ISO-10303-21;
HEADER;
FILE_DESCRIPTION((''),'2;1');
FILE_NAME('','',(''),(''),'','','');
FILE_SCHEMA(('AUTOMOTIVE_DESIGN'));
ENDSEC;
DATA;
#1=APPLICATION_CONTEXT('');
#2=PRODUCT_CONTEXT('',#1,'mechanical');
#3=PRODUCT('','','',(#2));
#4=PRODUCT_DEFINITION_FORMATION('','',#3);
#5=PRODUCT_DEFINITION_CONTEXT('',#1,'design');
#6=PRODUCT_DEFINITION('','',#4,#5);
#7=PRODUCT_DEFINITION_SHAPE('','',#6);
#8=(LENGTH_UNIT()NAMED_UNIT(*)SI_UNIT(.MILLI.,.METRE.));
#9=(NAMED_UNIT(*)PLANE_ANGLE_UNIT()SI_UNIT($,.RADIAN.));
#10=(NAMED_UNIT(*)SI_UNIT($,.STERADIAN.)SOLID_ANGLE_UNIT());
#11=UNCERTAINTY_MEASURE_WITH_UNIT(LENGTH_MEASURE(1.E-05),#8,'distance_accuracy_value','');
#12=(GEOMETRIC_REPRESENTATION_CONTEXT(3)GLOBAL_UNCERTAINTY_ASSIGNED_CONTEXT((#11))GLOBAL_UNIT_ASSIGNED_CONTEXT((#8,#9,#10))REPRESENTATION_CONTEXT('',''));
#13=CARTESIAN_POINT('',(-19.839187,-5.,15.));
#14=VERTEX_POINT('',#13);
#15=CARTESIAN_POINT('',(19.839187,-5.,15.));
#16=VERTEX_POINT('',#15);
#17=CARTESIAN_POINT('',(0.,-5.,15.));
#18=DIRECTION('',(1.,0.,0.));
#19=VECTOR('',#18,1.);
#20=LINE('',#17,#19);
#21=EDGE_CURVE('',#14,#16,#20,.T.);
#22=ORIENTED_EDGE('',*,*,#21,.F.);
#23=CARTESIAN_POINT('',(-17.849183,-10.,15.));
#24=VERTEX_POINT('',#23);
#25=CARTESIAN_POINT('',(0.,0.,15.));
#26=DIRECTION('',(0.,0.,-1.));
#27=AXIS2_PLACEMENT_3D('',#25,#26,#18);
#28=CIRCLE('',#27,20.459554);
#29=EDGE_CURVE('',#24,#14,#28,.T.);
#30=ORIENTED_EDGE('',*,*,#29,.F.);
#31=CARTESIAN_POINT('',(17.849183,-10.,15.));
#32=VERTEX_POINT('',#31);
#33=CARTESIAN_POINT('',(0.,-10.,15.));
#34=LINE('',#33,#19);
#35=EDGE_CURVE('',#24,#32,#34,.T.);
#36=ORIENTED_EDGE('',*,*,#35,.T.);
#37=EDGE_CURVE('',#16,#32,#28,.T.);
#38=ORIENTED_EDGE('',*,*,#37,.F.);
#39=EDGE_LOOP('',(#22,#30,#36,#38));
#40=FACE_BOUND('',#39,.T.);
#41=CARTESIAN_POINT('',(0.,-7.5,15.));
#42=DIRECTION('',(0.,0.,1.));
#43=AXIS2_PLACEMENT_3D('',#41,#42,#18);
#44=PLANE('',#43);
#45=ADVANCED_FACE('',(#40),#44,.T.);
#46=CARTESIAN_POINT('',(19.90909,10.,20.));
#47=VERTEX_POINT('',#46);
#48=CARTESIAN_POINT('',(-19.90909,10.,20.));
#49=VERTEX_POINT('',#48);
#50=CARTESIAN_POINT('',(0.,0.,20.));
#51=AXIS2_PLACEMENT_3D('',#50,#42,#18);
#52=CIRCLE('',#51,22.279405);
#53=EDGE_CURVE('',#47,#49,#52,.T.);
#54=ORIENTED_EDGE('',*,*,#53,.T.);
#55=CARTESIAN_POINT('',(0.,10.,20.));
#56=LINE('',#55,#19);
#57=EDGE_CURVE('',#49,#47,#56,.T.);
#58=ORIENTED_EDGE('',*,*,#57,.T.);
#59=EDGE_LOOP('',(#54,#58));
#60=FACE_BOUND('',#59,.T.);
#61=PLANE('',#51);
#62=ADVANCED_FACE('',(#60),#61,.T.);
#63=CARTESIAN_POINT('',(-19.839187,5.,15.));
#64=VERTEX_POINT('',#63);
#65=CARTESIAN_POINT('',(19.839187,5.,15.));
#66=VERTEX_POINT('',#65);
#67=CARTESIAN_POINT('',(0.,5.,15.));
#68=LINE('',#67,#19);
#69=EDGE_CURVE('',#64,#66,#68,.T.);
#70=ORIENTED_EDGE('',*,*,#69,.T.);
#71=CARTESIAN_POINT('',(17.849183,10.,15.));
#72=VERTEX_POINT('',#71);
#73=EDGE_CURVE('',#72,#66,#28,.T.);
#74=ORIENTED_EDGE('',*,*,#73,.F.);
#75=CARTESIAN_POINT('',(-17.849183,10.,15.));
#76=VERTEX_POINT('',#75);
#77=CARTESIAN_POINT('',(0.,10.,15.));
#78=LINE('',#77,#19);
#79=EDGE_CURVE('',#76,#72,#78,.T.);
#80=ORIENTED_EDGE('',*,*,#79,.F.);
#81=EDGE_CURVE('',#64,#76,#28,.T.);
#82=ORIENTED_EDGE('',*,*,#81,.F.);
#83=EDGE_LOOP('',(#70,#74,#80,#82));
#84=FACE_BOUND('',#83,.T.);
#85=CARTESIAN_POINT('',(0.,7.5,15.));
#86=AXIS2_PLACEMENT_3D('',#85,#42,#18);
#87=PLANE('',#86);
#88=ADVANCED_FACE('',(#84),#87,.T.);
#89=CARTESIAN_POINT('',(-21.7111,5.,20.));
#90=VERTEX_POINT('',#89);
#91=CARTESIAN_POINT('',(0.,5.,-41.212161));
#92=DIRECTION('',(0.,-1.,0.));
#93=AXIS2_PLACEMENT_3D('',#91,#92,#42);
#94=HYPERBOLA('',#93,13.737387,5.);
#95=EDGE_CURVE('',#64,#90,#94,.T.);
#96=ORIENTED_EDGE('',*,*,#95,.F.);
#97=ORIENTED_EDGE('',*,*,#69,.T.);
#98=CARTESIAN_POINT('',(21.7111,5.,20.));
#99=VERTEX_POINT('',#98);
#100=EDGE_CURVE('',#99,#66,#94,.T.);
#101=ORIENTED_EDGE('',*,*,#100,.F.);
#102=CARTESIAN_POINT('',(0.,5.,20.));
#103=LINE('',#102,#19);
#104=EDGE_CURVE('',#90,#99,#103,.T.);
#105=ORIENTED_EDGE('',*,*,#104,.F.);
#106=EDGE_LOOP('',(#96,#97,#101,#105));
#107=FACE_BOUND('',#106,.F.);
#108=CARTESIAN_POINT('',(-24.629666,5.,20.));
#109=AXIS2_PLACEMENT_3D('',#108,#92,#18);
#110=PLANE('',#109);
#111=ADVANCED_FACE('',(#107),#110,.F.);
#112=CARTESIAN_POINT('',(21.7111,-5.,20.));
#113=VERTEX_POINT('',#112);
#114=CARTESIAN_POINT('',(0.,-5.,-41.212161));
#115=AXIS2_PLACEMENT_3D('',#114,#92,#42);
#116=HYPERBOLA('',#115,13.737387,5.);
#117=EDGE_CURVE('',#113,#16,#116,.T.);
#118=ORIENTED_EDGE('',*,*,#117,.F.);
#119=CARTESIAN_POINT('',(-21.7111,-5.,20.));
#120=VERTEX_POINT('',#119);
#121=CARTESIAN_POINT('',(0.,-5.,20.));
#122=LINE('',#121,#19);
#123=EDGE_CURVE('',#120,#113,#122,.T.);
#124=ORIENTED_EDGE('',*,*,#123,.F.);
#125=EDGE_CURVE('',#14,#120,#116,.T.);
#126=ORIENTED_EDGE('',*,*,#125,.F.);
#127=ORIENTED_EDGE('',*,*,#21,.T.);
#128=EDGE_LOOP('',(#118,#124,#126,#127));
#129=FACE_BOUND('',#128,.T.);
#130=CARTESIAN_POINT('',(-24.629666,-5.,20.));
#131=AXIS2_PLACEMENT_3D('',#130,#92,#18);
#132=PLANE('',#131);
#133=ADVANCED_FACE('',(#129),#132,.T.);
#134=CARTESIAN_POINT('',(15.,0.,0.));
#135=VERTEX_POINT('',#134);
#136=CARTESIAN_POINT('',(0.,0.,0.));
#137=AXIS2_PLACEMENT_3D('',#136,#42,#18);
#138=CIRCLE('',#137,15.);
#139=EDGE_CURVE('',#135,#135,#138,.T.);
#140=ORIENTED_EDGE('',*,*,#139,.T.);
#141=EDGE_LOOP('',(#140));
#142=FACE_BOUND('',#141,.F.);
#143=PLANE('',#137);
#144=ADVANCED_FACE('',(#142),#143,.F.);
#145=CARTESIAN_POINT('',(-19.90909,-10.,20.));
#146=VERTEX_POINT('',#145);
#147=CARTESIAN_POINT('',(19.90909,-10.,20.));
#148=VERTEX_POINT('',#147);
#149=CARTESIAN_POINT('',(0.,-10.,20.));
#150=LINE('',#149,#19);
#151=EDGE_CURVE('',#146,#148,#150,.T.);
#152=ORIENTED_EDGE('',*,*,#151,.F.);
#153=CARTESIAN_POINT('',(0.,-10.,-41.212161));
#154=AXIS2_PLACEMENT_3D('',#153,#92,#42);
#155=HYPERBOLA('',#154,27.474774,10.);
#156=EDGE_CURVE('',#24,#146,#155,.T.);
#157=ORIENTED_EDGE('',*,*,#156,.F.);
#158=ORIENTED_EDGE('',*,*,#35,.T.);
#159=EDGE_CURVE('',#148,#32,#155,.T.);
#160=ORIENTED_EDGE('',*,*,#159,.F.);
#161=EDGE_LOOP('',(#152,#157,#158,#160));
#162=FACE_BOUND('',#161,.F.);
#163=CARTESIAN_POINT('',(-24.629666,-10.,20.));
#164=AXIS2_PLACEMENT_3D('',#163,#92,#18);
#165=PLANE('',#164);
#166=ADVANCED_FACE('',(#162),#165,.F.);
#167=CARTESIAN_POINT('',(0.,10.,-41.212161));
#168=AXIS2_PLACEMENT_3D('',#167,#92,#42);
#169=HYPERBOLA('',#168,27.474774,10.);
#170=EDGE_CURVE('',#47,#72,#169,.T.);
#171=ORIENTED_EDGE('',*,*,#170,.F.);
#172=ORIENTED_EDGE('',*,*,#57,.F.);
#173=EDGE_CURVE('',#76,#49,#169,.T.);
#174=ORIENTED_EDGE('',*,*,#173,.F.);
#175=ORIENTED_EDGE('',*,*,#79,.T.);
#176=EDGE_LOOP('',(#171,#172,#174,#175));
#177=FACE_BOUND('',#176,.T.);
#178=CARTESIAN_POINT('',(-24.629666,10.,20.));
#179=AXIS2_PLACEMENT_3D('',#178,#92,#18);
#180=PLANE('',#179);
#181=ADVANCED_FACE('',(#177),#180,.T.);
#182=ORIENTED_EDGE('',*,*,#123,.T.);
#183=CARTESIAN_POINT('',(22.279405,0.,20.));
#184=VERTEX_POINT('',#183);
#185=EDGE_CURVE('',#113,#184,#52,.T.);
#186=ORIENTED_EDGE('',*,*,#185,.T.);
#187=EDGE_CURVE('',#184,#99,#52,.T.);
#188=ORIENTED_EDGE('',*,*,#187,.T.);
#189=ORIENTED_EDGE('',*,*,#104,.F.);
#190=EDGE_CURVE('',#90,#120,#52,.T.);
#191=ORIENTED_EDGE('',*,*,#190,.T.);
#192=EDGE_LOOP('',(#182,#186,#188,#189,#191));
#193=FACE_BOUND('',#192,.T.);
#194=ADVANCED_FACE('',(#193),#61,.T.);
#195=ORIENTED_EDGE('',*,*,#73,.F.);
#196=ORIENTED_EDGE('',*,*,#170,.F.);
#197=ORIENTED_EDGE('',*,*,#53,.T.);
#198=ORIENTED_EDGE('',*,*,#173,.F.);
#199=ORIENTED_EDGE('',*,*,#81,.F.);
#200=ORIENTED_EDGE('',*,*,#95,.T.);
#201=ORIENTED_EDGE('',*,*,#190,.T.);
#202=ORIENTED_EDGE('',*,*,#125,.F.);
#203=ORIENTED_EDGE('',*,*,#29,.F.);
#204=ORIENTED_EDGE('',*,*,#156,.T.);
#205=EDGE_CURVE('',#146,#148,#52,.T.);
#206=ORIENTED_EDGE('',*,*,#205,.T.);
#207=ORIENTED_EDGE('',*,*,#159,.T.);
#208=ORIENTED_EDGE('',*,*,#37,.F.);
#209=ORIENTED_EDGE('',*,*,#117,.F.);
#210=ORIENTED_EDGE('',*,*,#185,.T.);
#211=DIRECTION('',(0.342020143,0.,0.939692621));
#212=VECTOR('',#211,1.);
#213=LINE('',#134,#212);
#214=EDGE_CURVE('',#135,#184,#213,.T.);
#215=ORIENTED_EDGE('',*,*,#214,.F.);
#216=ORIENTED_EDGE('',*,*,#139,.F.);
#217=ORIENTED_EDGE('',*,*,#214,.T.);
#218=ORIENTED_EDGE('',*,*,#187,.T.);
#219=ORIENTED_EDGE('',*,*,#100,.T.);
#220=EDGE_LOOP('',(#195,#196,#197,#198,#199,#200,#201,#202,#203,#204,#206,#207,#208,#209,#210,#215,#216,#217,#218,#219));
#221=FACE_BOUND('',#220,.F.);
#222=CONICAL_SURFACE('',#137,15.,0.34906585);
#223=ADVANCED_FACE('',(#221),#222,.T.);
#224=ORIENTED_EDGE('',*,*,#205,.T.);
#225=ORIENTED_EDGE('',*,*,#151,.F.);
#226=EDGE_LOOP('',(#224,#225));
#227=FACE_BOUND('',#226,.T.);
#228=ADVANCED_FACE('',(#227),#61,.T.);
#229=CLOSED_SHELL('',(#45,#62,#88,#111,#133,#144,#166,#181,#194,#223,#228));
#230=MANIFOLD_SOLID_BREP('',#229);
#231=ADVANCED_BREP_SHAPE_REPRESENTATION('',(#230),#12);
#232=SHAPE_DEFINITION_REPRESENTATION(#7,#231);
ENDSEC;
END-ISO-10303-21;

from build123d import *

# Parameters (mm, degrees)
ESQUISSE1_R             = 15
BOSS_EXTRU_1_DEPTH      = 20
BOSS_EXTRU_1_DRAFT      = -20
ESQUISSE2_W             = 49.259331118
ESQUISSE2_H             = 5
ENL_V_MAT_EXTRU_1_DEPTH = 5


with BuildPart() as part:
    # Esquisse1 → Boss.-Extru.1 (with draft: the straight prism first)
    with BuildSketch(Plane.XY):
        Circle(ESQUISSE1_R)
    extrude(amount=BOSS_EXTRU_1_DEPTH)
    # Boss.-Extru.1: the draft: its side faces are tilted about the plane it starts from
    boss_extru_1_sides = [part.faces().sort_by_distance(p)[0] for p in [
        (-15, 0, 10),
    ]]
    draft(boss_extru_1_sides, Plane.XY, BOSS_EXTRU_1_DRAFT)

    # Esquisse2 → Enlèv. mat.-Extru.1 (cut)
    with BuildSketch(Plane.XY.offset(20)):
        with Locations((0, -7.5)):
            Rectangle(ESQUISSE2_W, ESQUISSE2_H)
        with Locations((0, 7.5)):
            Rectangle(ESQUISSE2_W, ESQUISSE2_H)
    extrude(amount=-ENL_V_MAT_EXTRU_1_DEPTH, mode=Mode.SUBTRACT)


solid = part.part
